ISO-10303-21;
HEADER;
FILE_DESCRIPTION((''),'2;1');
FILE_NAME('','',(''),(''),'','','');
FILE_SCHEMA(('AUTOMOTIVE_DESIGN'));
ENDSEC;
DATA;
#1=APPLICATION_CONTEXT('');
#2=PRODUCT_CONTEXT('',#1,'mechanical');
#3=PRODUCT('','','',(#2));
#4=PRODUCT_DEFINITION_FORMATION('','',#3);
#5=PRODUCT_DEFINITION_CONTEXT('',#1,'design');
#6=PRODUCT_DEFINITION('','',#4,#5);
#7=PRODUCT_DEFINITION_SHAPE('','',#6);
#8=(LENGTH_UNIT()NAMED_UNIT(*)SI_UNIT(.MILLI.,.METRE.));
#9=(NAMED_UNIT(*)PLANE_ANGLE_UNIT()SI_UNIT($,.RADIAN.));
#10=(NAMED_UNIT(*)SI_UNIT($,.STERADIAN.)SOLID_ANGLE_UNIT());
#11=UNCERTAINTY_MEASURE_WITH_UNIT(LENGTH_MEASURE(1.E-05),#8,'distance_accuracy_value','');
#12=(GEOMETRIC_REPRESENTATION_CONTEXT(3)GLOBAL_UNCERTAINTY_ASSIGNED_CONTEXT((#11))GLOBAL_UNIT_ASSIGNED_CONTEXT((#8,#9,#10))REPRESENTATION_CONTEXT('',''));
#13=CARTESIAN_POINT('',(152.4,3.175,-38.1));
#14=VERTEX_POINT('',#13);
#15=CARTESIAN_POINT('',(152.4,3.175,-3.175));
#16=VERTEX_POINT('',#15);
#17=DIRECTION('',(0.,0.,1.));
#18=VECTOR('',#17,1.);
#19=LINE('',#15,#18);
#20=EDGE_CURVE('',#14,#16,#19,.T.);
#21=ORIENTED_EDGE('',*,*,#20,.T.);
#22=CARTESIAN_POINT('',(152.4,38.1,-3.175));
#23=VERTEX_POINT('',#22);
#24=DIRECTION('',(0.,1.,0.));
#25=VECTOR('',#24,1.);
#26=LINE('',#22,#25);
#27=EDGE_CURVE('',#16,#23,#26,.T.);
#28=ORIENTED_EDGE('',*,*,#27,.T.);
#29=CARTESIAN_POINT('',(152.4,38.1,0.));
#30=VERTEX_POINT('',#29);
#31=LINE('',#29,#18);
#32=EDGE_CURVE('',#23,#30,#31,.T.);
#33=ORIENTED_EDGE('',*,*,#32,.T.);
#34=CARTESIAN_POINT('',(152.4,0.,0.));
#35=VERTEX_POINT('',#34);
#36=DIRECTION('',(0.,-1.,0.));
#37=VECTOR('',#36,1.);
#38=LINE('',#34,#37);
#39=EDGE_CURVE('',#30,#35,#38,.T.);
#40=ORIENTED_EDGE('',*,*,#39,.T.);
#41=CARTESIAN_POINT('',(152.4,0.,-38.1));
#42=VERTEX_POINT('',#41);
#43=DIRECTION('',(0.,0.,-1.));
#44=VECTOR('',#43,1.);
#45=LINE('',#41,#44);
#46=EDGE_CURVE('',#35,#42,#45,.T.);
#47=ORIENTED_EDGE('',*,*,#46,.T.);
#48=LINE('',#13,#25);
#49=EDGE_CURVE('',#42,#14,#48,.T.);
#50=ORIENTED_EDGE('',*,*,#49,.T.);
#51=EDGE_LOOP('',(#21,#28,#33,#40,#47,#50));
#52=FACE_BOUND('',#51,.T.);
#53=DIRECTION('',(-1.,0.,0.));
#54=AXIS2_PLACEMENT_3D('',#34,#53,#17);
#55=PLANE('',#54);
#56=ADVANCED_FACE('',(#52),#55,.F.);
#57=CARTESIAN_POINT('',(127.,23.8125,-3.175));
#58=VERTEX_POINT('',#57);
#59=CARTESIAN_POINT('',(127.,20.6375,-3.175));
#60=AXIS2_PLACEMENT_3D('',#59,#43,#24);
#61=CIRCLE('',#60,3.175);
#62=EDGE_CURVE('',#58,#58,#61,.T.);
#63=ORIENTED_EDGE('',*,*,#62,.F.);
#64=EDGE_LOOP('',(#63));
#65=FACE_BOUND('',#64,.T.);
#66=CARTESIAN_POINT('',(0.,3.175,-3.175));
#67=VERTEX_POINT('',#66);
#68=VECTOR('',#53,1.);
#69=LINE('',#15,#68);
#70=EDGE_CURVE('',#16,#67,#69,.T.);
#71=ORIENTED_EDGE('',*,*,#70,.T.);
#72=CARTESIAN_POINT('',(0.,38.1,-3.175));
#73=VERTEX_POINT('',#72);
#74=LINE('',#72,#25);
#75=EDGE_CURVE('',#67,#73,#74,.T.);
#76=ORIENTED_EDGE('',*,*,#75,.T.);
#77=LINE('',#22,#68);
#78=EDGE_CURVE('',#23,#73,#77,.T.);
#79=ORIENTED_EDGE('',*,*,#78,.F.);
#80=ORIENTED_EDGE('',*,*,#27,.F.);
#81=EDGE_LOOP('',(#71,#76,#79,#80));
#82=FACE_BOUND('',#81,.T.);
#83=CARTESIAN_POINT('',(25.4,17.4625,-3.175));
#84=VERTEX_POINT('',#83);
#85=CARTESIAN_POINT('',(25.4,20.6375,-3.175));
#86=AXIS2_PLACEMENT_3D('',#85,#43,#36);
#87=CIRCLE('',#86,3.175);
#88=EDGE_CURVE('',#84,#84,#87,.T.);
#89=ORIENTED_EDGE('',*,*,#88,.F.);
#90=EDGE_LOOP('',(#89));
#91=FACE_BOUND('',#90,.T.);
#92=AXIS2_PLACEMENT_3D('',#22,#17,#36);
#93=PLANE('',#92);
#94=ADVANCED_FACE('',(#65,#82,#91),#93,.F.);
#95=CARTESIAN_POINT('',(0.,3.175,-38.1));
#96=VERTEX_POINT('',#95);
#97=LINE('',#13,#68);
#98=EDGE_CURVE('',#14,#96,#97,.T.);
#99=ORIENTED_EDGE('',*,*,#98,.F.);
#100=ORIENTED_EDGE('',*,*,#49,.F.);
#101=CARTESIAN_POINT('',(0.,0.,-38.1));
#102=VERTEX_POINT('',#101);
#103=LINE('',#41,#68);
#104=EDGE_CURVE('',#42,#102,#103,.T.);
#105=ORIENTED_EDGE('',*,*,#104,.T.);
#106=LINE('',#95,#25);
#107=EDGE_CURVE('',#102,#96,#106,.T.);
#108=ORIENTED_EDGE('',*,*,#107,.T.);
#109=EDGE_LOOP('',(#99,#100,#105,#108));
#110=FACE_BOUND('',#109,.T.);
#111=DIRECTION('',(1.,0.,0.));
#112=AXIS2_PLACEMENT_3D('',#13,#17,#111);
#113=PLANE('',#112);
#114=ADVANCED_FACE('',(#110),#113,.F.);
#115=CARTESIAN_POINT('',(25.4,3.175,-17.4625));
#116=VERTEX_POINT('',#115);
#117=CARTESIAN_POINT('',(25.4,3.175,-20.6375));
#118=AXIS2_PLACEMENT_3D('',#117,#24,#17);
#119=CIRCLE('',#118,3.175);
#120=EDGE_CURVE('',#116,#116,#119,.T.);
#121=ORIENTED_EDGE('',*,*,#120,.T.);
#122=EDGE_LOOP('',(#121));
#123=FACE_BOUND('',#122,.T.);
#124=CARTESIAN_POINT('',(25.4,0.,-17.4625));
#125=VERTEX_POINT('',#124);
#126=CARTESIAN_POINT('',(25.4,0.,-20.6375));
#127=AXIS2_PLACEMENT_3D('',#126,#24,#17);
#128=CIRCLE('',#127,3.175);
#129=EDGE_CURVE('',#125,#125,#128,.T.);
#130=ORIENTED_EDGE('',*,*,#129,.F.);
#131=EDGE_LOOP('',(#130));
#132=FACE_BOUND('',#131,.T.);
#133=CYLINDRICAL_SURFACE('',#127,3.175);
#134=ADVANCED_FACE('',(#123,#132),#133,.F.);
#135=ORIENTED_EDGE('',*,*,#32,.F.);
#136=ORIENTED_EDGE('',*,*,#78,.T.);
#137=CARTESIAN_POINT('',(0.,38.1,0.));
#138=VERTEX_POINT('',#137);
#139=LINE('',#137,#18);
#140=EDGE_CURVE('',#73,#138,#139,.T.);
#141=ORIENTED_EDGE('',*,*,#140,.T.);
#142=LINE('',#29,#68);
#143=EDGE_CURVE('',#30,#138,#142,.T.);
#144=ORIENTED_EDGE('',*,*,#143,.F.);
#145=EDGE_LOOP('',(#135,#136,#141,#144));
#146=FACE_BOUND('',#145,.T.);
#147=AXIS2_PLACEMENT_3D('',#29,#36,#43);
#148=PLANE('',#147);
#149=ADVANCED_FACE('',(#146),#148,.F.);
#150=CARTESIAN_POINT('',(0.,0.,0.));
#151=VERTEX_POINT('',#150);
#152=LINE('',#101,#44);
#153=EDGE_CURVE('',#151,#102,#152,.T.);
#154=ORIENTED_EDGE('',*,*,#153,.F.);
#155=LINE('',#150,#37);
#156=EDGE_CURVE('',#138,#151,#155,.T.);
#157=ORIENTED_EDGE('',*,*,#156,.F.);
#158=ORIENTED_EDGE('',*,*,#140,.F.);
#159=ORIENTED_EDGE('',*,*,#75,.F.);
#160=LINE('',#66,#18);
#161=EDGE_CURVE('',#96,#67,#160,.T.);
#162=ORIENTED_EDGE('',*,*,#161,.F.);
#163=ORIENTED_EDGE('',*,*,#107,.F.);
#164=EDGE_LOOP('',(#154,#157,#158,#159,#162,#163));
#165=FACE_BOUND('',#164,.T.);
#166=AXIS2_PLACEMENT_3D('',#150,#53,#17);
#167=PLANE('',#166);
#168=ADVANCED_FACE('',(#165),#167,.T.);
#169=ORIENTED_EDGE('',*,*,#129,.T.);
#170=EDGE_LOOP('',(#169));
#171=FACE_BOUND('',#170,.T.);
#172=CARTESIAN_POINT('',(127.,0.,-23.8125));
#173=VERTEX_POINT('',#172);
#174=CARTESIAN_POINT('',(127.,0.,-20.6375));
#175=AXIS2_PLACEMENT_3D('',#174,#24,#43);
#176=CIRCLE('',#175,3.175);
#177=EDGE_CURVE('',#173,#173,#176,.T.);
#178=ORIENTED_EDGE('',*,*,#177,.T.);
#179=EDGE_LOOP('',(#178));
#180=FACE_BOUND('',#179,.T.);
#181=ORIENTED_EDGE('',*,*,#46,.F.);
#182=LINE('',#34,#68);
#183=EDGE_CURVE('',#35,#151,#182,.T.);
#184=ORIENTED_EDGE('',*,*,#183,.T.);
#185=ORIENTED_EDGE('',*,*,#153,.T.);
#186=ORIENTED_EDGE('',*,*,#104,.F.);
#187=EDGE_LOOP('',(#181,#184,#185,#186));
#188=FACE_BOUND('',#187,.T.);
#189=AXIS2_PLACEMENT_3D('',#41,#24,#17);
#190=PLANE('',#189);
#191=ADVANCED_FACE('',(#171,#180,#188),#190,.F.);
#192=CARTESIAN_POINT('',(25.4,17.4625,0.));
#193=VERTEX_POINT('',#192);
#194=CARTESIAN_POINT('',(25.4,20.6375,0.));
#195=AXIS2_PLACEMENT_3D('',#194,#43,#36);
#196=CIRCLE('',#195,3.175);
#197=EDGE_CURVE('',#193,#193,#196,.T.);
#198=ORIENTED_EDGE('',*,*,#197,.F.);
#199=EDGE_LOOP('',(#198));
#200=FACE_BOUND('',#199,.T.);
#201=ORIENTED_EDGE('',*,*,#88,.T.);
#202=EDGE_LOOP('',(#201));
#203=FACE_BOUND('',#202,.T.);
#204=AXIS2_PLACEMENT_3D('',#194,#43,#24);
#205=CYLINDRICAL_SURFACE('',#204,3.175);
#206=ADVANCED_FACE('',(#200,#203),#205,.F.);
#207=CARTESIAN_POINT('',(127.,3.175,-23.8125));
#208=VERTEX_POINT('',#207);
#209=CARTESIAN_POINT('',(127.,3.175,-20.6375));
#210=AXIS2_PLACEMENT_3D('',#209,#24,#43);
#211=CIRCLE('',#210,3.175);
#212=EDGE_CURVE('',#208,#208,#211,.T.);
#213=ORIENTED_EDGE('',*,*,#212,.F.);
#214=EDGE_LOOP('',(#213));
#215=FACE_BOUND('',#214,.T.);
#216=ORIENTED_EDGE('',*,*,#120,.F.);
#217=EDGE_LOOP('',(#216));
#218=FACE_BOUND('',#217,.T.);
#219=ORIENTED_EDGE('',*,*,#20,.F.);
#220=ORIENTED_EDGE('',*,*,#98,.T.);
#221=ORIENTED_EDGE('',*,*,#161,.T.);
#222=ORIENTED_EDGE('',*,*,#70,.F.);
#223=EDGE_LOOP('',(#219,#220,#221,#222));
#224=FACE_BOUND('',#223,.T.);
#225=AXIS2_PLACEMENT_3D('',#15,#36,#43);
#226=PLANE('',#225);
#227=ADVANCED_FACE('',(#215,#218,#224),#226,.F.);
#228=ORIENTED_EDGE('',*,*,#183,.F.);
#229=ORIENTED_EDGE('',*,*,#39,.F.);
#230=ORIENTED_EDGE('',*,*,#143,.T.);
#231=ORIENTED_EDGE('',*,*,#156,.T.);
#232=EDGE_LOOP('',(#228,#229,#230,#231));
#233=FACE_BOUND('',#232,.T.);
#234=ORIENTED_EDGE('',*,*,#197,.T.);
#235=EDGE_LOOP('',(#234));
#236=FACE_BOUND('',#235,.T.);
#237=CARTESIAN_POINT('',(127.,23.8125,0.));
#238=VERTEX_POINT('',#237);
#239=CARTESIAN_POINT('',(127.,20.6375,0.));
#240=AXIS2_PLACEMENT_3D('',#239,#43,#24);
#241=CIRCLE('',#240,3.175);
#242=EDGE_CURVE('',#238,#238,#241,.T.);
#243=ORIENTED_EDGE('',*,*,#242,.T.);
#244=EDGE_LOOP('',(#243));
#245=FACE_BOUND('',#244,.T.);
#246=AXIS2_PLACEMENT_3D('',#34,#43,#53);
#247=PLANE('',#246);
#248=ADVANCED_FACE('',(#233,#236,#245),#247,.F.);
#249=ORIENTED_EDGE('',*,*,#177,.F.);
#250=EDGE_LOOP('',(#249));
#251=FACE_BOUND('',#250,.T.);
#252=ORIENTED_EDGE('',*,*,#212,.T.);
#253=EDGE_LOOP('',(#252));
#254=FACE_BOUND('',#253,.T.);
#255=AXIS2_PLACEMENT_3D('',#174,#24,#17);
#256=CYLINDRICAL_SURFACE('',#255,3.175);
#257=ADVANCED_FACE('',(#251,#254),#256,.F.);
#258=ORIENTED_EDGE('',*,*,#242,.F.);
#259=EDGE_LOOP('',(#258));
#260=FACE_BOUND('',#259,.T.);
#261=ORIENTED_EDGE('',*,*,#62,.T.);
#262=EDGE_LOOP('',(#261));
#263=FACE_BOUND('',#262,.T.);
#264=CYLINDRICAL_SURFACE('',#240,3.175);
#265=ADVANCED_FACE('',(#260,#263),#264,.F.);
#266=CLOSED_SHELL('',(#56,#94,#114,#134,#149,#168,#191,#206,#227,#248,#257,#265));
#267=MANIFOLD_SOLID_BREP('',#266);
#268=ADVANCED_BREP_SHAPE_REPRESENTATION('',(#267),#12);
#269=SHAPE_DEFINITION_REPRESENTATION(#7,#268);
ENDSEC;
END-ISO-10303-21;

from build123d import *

# Parameters (mm, degrees)
BOSS_EXTRUDE1_DEPTH = 152.4
SKETCH5_R           = 3.175
CUT_EXTRUDE3_DEPTH  = 4.175
SKETCH6_R           = 3.175
CUT_EXTRUDE4_DEPTH  = 4.175


with BuildPart() as part:
    # Sketch1 → Boss-Extrude1 (new body)
    with BuildSketch(Plane(origin=(0, 0, 0), x_dir=(0, 0, -1), z_dir=(1, 0, 0))):
        Polygon((0, 0), (0, 38.1), (3.175, 38.1), (3.175, 3.175), (38.1, 3.175), (38.1, 0), align=None)
    extrude(amount=BOSS_EXTRUDE1_DEPTH)

    # Sketch5 → Cut-Extrude3 (cut, through all)
    with BuildSketch(Plane(origin=(0, 0, -3.175), x_dir=(-1, 0, 0), z_dir=(0, 0, -1))):
        with Locations((-127, 20.6375)):
            Circle(SKETCH5_R)
        with Locations((-25.4, 20.6375)):
            Circle(SKETCH5_R)
    extrude(amount=-CUT_EXTRUDE3_DEPTH, mode=Mode.SUBTRACT)

    # Sketch6 → Cut-Extrude4 (cut, through all)
    with BuildSketch(Plane(origin=(0, 3.175, 0), x_dir=(1, 0, 0), z_dir=(0, 1, 0))):
        with Locations((25.4, 20.6375)):
            Circle(SKETCH6_R)
        with Locations((127, 20.6375)):
            Circle(SKETCH6_R)
    extrude(amount=-CUT_EXTRUDE4_DEPTH, mode=Mode.SUBTRACT)


solid = part.part
